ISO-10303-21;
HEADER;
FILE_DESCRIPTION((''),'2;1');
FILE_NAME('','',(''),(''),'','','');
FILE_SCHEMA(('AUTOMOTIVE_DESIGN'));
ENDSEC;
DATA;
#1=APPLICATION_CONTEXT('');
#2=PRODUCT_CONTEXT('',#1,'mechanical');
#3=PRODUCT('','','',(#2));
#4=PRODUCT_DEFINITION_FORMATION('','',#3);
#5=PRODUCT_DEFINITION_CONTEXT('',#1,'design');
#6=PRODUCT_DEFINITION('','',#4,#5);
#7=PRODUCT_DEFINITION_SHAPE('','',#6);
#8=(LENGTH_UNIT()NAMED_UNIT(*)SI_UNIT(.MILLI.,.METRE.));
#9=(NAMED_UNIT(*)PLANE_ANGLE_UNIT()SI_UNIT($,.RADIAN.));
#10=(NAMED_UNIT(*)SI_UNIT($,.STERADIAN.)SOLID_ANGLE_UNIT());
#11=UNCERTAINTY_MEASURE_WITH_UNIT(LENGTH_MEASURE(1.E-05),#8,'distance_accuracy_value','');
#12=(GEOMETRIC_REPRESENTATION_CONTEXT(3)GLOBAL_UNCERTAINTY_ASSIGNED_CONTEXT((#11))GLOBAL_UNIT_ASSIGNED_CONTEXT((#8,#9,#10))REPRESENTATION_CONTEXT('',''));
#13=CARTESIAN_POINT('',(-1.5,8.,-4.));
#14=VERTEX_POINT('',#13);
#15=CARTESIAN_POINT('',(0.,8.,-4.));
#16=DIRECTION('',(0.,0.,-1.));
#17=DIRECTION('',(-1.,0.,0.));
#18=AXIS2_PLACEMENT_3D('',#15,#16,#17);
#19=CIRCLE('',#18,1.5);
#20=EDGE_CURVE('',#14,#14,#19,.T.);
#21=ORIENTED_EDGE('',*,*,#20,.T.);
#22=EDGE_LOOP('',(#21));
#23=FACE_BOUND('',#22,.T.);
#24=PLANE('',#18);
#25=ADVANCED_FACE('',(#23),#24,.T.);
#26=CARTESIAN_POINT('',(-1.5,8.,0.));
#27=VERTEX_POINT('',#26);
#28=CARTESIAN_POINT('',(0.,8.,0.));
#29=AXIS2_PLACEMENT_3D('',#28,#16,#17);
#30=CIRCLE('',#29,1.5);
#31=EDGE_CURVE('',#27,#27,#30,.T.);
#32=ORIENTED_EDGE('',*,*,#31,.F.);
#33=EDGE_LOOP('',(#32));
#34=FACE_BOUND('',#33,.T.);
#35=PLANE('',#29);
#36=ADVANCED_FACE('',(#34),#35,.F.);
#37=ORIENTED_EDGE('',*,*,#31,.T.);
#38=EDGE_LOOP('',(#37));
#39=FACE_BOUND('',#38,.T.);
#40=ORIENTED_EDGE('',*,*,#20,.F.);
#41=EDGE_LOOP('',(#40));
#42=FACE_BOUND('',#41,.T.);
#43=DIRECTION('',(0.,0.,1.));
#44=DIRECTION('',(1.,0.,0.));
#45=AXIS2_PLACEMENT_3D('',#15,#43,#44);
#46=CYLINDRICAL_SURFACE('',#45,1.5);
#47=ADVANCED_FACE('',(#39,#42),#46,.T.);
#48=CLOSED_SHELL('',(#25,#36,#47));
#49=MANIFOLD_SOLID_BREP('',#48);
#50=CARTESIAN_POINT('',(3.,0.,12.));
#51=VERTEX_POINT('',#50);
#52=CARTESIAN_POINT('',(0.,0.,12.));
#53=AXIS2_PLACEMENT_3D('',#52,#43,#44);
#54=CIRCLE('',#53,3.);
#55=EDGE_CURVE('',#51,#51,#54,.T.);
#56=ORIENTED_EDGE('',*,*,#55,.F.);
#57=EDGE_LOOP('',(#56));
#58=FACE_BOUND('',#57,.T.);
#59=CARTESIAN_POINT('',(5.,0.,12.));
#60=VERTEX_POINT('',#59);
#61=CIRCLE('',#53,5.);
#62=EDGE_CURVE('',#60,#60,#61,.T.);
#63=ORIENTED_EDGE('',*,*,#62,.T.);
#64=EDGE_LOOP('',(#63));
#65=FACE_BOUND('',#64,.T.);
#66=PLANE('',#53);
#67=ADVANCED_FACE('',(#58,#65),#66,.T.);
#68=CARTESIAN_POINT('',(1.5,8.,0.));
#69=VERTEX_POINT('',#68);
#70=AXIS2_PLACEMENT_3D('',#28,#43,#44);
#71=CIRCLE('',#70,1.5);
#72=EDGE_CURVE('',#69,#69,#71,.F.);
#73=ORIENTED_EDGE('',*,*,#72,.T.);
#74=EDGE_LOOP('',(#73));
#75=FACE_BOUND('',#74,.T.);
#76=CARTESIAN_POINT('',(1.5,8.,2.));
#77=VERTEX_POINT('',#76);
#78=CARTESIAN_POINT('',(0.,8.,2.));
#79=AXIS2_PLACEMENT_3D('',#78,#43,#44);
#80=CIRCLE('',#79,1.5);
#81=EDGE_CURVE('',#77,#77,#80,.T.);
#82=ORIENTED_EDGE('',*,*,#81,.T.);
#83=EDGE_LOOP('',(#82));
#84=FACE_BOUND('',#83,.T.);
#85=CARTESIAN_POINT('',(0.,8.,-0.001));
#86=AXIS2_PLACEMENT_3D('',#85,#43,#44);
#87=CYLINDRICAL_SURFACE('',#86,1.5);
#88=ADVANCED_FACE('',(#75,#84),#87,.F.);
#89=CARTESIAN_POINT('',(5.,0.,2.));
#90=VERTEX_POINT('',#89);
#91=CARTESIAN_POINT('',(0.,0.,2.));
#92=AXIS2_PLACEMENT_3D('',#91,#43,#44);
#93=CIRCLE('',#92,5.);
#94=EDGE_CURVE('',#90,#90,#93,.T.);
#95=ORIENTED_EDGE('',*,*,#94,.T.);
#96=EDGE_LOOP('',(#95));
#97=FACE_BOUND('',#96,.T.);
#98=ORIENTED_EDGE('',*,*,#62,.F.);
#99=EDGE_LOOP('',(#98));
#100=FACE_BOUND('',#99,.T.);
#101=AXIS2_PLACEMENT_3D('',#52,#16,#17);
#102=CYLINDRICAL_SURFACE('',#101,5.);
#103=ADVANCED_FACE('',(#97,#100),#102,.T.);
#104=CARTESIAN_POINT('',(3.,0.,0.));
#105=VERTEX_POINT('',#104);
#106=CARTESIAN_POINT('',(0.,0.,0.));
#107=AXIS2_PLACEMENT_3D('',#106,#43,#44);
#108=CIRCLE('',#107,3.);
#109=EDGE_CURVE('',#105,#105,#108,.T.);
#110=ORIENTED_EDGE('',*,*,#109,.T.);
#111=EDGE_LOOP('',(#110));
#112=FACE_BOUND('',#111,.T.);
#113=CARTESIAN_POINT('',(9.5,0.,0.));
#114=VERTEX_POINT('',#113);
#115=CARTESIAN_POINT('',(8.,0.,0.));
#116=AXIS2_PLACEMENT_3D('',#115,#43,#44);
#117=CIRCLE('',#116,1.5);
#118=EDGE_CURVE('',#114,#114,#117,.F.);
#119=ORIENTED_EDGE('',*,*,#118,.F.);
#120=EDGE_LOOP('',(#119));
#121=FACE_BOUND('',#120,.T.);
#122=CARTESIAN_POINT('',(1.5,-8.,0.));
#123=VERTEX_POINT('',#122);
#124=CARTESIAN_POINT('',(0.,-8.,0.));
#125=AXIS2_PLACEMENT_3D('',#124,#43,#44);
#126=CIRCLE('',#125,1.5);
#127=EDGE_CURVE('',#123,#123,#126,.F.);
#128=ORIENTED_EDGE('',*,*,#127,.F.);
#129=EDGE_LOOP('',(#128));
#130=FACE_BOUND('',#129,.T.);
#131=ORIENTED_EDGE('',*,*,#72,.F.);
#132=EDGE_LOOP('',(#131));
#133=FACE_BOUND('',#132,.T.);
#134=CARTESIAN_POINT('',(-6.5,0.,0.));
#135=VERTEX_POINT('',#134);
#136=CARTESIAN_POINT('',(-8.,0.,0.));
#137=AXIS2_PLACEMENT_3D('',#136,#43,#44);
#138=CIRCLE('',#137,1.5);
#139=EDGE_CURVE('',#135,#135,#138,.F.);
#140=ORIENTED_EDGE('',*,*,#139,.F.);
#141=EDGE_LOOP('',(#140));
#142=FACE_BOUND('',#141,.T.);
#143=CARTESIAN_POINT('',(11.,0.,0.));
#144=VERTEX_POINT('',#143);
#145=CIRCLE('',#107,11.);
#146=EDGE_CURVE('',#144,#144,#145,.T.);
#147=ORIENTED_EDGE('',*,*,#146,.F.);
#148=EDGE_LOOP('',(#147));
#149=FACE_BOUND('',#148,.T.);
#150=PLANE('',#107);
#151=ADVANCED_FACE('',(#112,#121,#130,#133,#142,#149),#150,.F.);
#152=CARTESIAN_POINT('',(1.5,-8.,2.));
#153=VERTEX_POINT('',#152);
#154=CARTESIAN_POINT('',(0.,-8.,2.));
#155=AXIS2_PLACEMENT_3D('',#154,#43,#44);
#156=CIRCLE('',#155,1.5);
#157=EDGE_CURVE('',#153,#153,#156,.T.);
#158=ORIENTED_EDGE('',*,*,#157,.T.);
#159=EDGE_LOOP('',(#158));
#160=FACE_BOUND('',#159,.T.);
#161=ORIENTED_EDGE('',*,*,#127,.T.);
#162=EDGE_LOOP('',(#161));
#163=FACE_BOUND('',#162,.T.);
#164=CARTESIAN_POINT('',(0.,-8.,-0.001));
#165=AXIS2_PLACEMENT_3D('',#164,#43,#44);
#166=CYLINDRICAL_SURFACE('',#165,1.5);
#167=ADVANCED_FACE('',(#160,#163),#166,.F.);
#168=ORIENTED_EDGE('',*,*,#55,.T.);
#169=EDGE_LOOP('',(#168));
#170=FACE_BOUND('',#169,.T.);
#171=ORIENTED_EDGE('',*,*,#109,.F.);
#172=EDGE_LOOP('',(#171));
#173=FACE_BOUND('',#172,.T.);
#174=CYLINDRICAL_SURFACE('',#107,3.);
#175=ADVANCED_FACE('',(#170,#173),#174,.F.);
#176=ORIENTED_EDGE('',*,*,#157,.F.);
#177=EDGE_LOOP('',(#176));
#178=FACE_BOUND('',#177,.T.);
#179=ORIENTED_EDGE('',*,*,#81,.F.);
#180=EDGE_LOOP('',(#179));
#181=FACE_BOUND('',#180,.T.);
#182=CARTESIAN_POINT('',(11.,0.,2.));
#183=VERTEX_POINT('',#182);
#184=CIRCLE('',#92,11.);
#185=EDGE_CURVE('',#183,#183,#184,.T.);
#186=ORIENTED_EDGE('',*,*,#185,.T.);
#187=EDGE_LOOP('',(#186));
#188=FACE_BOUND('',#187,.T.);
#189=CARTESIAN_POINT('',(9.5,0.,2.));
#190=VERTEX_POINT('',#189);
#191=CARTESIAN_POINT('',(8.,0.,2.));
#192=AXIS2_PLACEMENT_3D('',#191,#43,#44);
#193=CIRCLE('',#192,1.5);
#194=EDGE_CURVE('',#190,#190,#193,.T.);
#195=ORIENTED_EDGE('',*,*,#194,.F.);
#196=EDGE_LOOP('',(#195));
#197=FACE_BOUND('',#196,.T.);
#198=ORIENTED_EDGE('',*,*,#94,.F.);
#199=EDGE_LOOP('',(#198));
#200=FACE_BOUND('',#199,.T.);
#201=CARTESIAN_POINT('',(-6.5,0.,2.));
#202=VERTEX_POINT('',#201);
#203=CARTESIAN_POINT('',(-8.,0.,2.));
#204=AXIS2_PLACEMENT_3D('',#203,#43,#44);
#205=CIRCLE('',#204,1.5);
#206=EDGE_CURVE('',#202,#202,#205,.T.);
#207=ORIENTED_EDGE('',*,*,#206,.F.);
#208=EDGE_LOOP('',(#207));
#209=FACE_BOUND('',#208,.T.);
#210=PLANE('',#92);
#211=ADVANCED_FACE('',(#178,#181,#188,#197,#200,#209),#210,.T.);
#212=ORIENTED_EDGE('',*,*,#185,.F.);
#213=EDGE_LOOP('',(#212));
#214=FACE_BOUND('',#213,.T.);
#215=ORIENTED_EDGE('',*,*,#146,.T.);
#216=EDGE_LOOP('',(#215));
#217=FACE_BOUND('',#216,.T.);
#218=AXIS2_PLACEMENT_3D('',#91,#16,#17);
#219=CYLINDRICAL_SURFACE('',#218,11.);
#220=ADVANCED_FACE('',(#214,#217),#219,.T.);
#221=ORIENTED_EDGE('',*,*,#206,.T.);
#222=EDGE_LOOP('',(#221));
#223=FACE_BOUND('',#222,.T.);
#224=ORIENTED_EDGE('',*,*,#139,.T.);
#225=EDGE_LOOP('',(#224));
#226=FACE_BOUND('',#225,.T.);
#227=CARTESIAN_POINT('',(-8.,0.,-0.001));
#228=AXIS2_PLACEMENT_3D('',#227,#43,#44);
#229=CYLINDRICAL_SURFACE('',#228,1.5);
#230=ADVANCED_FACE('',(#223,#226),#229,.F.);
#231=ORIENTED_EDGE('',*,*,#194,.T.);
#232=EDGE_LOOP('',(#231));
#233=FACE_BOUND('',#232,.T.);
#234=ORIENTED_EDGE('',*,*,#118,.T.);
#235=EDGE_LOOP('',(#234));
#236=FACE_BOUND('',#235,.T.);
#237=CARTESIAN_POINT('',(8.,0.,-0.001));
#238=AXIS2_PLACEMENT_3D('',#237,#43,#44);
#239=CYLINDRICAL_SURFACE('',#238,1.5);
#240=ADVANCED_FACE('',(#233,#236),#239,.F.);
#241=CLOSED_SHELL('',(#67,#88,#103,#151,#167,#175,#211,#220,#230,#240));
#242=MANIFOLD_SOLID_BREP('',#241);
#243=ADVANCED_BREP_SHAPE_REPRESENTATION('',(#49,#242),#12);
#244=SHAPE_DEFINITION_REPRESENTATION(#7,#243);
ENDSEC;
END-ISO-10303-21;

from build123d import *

# Parameters (mm, degrees)
SKETCH_1_R          = 11
EXTRUDE_1_DEPTH     = 2
SKETCH_2_R          = 5
EXTRUDE_2_DEPTH     = 10
SKETCH_4_R          = 3
CUT_EXTRUDE_2_DEPTH = 13
CUT_EXTRUDE_3_REACH = 4
SKETCH_5_R          = 1.5
SKETCH_6_R          = 1.5
EXTRUDE_3_DEPTH     = 4


with BuildPart() as part:
    # 草图1 → 凸台-拉伸1 (new body)
    with BuildSketch(Plane.XY):
        Circle(SKETCH_1_R)
    extrude(amount=EXTRUDE_1_DEPTH)

    # 草图2 → 凸台-拉伸2 (add)
    with BuildSketch(Plane.XY.offset(2)):
        Circle(SKETCH_2_R)
    extrude(amount=EXTRUDE_2_DEPTH)

    # 草图4 → 切除-拉伸2 (cut, through all)
    with BuildSketch(Plane.XY.offset(12)):
        Circle(SKETCH_4_R)
    extrude(amount=-CUT_EXTRUDE_2_DEPTH, mode=Mode.SUBTRACT)

    # 草图5 → 切除-拉伸3 (cut, up to next)
    with BuildSketch(Plane.XY.offset(2), mode=Mode.PRIVATE) as cut_extrude_3_sk1:
        with Locations((-8, 0)):
            Circle(SKETCH_5_R)
    cut_extrude_3_tool1 = extrude(cut_extrude_3_sk1.sketch, amount=-CUT_EXTRUDE_3_REACH, mode=Mode.PRIVATE) & part.part
    add(cut_extrude_3_tool1.solids().sort_by_distance((-8, 0, 2))[0], mode=Mode.SUBTRACT)
    # 草图5 → 切除-拉伸3 (cut, up to next)
    with BuildSketch(Plane.XY.offset(2), mode=Mode.PRIVATE) as cut_extrude_3_sk2:
        with Locations((0, 8)):
            Circle(SKETCH_5_R)
    cut_extrude_3_tool2 = extrude(cut_extrude_3_sk2.sketch, amount=-CUT_EXTRUDE_3_REACH, mode=Mode.PRIVATE) & part.part
    add(cut_extrude_3_tool2.solids().sort_by_distance((0, 8, 2))[0], mode=Mode.SUBTRACT)
    # 草图5 → 切除-拉伸3 (cut, up to next)
    with BuildSketch(Plane.XY.offset(2), mode=Mode.PRIVATE) as cut_extrude_3_sk3:
        with Locations((8, 0)):
            Circle(SKETCH_5_R)
    cut_extrude_3_tool3 = extrude(cut_extrude_3_sk3.sketch, amount=-CUT_EXTRUDE_3_REACH, mode=Mode.PRIVATE) & part.part
    add(cut_extrude_3_tool3.solids().sort_by_distance((8, 0, 2))[0], mode=Mode.SUBTRACT)
    # 草图5 → 切除-拉伸3 (cut, up to next)
    with BuildSketch(Plane.XY.offset(2), mode=Mode.PRIVATE) as cut_extrude_3_sk4:
        with Locations((0, -8)):
            Circle(SKETCH_5_R)
    cut_extrude_3_tool4 = extrude(cut_extrude_3_sk4.sketch, amount=-CUT_EXTRUDE_3_REACH, mode=Mode.PRIVATE) & part.part
    add(cut_extrude_3_tool4.solids().sort_by_distance((0, -8, 2))[0], mode=Mode.SUBTRACT)


with BuildPart() as body_2:
    # 草图6 → 凸台-拉伸3 (new body)
    with BuildSketch(Plane(origin=(0, 0, 0), x_dir=(-1, 0, 0), z_dir=(0, 0, -1))):
        with Locations((0, 8)):
            Circle(SKETCH_6_R)
    extrude(amount=EXTRUDE_3_DEPTH)


solid = Compound([part.part, body_2.part])
